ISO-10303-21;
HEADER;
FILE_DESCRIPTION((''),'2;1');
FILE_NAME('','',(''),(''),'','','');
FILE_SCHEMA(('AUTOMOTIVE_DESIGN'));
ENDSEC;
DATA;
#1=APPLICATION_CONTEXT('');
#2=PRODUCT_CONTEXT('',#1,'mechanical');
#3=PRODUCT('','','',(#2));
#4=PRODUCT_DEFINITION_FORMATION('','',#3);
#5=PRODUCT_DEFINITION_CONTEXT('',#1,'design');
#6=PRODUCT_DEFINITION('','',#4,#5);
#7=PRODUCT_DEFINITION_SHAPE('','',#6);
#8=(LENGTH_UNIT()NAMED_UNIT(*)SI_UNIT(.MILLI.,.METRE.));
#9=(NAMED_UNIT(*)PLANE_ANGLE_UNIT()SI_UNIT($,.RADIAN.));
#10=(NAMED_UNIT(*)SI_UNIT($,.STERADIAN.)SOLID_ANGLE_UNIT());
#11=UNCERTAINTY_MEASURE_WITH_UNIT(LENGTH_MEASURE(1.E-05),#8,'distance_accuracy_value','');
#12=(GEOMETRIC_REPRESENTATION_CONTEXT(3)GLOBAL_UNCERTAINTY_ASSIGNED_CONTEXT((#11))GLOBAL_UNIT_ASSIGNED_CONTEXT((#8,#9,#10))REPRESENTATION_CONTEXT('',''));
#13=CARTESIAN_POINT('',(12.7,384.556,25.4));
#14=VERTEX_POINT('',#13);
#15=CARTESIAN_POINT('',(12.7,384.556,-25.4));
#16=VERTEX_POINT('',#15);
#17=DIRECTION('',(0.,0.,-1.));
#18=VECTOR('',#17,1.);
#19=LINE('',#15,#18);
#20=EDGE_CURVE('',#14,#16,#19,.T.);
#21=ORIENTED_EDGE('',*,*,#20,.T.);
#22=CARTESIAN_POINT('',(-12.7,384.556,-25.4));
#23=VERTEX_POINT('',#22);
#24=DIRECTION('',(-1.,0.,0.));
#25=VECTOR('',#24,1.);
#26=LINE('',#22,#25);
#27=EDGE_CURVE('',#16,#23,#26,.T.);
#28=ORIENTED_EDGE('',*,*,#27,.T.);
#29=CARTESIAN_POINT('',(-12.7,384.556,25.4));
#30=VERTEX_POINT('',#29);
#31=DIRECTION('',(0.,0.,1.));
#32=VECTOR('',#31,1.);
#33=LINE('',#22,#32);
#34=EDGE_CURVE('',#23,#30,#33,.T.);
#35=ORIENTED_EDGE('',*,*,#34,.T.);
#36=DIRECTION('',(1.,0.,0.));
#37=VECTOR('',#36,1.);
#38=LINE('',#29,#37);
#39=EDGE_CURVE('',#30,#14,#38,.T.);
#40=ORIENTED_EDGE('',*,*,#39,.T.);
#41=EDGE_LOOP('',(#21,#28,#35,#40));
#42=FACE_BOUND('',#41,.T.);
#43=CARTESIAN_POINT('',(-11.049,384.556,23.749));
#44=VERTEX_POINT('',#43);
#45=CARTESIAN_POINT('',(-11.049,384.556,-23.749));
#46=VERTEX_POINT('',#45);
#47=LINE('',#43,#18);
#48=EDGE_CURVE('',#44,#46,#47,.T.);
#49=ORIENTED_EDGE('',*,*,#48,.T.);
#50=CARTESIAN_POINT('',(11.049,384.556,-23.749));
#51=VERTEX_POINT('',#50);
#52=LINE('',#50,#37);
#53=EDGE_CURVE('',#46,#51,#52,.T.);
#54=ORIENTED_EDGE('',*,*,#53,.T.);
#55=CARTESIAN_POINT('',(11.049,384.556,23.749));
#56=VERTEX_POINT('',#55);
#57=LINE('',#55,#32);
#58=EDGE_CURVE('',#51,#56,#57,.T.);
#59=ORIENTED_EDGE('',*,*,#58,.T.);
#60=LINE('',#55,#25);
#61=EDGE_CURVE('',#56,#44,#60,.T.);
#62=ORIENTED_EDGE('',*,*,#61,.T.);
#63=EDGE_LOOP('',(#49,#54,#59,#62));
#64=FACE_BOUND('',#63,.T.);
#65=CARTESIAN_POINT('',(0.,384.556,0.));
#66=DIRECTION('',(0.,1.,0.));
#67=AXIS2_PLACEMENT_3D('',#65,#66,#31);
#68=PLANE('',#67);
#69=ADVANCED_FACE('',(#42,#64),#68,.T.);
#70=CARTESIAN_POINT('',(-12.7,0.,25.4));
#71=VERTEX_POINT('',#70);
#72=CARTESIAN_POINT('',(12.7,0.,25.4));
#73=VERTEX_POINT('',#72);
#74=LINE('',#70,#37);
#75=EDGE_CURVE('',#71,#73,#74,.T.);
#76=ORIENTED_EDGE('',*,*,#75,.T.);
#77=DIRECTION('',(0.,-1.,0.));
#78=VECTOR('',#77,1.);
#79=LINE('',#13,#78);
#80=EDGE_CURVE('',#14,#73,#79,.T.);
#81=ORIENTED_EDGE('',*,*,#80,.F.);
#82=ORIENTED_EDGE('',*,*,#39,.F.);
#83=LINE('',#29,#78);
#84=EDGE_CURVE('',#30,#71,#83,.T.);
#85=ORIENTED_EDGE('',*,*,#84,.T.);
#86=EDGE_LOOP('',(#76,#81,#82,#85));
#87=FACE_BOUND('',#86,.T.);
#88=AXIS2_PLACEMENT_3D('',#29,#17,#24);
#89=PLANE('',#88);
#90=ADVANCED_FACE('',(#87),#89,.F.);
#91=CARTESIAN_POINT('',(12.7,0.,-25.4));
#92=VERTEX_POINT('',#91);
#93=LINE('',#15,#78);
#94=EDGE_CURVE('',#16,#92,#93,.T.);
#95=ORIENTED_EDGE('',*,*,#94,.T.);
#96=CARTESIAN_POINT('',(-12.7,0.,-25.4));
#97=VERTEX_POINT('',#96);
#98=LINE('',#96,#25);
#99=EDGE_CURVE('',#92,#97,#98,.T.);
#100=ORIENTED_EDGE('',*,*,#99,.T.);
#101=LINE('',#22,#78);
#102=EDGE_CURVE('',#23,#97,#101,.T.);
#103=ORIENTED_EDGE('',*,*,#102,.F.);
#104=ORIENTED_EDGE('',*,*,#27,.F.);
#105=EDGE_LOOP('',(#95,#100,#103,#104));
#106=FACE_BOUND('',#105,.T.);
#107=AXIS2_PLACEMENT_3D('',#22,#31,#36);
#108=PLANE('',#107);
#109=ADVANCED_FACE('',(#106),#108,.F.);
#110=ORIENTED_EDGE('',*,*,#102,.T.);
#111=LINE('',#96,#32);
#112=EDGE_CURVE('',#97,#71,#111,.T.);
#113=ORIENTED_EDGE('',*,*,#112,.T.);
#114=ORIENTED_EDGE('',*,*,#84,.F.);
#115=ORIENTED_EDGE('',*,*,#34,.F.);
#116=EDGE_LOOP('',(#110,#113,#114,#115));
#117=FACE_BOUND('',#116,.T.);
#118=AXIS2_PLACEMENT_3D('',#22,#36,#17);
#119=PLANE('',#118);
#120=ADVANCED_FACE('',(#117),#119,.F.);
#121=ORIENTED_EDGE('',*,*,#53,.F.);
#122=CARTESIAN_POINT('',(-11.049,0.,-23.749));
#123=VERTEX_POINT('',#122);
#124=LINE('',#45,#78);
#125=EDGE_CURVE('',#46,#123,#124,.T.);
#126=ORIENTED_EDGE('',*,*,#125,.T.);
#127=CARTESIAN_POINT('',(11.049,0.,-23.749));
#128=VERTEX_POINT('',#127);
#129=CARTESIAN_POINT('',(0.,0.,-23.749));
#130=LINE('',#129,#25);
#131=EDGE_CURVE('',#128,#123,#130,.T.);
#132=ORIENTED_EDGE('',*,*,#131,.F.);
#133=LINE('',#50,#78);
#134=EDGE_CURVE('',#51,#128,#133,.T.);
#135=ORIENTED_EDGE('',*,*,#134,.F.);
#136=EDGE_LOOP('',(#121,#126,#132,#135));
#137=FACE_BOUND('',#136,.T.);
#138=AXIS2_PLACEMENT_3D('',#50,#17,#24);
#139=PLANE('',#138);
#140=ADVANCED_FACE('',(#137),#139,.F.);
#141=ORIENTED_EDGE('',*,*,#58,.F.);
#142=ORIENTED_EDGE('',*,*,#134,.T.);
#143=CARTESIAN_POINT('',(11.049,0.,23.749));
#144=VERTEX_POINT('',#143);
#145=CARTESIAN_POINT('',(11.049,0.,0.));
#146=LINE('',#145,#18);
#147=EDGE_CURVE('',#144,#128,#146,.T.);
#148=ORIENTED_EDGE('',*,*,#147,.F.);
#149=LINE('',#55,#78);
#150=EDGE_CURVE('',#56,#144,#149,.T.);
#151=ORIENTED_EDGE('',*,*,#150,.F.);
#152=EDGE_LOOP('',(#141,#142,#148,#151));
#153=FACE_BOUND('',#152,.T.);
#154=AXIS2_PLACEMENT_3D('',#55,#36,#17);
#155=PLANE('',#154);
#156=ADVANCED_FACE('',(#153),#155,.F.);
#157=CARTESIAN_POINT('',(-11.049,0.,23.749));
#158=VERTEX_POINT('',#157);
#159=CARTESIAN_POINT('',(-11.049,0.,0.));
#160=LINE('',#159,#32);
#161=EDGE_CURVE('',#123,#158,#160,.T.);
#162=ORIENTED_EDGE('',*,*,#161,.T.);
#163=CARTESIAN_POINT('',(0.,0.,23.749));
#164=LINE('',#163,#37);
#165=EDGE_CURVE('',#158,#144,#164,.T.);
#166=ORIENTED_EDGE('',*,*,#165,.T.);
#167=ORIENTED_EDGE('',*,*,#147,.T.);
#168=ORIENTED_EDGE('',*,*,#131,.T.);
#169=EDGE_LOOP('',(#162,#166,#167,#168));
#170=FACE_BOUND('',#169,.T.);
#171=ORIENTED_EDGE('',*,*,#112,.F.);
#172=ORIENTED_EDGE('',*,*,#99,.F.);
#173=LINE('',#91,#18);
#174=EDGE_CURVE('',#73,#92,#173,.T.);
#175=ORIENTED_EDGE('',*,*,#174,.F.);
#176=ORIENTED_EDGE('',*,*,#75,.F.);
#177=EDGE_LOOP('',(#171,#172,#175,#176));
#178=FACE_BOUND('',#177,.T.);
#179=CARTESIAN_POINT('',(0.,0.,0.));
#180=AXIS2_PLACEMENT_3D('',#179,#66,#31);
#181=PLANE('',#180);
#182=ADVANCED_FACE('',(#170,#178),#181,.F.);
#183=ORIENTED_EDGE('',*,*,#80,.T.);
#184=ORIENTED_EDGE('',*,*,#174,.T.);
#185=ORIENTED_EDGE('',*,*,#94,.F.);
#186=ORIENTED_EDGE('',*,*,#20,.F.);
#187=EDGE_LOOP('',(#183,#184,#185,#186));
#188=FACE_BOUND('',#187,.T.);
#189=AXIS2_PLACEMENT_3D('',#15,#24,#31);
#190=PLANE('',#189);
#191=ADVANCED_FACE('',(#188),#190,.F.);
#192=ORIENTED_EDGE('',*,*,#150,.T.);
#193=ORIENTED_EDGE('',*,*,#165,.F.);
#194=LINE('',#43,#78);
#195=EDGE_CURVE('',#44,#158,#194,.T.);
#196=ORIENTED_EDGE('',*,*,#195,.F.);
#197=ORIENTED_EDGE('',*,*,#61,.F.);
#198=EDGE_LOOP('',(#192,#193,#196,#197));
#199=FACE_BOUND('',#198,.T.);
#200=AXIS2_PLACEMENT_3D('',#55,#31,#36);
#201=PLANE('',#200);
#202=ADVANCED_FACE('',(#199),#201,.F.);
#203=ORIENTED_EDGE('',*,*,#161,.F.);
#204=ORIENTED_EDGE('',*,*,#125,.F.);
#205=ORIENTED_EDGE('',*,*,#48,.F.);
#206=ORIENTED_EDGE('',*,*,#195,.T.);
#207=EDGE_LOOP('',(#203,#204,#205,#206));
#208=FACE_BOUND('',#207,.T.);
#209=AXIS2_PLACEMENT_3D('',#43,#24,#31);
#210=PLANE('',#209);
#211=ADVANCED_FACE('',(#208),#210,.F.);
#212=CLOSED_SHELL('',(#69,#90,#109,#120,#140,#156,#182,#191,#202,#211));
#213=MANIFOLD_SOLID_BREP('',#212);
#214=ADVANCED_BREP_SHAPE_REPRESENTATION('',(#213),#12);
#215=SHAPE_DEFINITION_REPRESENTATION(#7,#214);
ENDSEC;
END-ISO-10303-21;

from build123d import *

# Parameters (mm, degrees)
SKETCH1_W               = 25.4
SKETCH1_H               = 50.8
BOSS_EXTRUDE1_DEPTH     = 384.556
CUT_EXTRUDE1_DEPTH      = 386.603121274
CUT_EXTRUDE1_DEPTH_BACK = 386.603121274
SKETCH2_W               = 22.098
SKETCH2_H               = 47.498


with BuildPart() as part:
    # Sketch1 → Boss-Extrude1 (new body)
    with BuildSketch(Plane(origin=(0, 0, 0), x_dir=(1, 0, 0), z_dir=(0, 1, 0))):
        Rectangle(SKETCH1_W, SKETCH1_H)
    extrude(amount=BOSS_EXTRUDE1_DEPTH)

    # Sketch2 → Cut-Extrude1 (cut, two sides: drawn at the far end of the back side and taken through both)
    with BuildSketch(Plane.XZ.offset(-CUT_EXTRUDE1_DEPTH_BACK)):
        Rectangle(SKETCH2_W, SKETCH2_H)
    extrude(amount=CUT_EXTRUDE1_DEPTH + CUT_EXTRUDE1_DEPTH_BACK, mode=Mode.SUBTRACT)


solid = part.part
